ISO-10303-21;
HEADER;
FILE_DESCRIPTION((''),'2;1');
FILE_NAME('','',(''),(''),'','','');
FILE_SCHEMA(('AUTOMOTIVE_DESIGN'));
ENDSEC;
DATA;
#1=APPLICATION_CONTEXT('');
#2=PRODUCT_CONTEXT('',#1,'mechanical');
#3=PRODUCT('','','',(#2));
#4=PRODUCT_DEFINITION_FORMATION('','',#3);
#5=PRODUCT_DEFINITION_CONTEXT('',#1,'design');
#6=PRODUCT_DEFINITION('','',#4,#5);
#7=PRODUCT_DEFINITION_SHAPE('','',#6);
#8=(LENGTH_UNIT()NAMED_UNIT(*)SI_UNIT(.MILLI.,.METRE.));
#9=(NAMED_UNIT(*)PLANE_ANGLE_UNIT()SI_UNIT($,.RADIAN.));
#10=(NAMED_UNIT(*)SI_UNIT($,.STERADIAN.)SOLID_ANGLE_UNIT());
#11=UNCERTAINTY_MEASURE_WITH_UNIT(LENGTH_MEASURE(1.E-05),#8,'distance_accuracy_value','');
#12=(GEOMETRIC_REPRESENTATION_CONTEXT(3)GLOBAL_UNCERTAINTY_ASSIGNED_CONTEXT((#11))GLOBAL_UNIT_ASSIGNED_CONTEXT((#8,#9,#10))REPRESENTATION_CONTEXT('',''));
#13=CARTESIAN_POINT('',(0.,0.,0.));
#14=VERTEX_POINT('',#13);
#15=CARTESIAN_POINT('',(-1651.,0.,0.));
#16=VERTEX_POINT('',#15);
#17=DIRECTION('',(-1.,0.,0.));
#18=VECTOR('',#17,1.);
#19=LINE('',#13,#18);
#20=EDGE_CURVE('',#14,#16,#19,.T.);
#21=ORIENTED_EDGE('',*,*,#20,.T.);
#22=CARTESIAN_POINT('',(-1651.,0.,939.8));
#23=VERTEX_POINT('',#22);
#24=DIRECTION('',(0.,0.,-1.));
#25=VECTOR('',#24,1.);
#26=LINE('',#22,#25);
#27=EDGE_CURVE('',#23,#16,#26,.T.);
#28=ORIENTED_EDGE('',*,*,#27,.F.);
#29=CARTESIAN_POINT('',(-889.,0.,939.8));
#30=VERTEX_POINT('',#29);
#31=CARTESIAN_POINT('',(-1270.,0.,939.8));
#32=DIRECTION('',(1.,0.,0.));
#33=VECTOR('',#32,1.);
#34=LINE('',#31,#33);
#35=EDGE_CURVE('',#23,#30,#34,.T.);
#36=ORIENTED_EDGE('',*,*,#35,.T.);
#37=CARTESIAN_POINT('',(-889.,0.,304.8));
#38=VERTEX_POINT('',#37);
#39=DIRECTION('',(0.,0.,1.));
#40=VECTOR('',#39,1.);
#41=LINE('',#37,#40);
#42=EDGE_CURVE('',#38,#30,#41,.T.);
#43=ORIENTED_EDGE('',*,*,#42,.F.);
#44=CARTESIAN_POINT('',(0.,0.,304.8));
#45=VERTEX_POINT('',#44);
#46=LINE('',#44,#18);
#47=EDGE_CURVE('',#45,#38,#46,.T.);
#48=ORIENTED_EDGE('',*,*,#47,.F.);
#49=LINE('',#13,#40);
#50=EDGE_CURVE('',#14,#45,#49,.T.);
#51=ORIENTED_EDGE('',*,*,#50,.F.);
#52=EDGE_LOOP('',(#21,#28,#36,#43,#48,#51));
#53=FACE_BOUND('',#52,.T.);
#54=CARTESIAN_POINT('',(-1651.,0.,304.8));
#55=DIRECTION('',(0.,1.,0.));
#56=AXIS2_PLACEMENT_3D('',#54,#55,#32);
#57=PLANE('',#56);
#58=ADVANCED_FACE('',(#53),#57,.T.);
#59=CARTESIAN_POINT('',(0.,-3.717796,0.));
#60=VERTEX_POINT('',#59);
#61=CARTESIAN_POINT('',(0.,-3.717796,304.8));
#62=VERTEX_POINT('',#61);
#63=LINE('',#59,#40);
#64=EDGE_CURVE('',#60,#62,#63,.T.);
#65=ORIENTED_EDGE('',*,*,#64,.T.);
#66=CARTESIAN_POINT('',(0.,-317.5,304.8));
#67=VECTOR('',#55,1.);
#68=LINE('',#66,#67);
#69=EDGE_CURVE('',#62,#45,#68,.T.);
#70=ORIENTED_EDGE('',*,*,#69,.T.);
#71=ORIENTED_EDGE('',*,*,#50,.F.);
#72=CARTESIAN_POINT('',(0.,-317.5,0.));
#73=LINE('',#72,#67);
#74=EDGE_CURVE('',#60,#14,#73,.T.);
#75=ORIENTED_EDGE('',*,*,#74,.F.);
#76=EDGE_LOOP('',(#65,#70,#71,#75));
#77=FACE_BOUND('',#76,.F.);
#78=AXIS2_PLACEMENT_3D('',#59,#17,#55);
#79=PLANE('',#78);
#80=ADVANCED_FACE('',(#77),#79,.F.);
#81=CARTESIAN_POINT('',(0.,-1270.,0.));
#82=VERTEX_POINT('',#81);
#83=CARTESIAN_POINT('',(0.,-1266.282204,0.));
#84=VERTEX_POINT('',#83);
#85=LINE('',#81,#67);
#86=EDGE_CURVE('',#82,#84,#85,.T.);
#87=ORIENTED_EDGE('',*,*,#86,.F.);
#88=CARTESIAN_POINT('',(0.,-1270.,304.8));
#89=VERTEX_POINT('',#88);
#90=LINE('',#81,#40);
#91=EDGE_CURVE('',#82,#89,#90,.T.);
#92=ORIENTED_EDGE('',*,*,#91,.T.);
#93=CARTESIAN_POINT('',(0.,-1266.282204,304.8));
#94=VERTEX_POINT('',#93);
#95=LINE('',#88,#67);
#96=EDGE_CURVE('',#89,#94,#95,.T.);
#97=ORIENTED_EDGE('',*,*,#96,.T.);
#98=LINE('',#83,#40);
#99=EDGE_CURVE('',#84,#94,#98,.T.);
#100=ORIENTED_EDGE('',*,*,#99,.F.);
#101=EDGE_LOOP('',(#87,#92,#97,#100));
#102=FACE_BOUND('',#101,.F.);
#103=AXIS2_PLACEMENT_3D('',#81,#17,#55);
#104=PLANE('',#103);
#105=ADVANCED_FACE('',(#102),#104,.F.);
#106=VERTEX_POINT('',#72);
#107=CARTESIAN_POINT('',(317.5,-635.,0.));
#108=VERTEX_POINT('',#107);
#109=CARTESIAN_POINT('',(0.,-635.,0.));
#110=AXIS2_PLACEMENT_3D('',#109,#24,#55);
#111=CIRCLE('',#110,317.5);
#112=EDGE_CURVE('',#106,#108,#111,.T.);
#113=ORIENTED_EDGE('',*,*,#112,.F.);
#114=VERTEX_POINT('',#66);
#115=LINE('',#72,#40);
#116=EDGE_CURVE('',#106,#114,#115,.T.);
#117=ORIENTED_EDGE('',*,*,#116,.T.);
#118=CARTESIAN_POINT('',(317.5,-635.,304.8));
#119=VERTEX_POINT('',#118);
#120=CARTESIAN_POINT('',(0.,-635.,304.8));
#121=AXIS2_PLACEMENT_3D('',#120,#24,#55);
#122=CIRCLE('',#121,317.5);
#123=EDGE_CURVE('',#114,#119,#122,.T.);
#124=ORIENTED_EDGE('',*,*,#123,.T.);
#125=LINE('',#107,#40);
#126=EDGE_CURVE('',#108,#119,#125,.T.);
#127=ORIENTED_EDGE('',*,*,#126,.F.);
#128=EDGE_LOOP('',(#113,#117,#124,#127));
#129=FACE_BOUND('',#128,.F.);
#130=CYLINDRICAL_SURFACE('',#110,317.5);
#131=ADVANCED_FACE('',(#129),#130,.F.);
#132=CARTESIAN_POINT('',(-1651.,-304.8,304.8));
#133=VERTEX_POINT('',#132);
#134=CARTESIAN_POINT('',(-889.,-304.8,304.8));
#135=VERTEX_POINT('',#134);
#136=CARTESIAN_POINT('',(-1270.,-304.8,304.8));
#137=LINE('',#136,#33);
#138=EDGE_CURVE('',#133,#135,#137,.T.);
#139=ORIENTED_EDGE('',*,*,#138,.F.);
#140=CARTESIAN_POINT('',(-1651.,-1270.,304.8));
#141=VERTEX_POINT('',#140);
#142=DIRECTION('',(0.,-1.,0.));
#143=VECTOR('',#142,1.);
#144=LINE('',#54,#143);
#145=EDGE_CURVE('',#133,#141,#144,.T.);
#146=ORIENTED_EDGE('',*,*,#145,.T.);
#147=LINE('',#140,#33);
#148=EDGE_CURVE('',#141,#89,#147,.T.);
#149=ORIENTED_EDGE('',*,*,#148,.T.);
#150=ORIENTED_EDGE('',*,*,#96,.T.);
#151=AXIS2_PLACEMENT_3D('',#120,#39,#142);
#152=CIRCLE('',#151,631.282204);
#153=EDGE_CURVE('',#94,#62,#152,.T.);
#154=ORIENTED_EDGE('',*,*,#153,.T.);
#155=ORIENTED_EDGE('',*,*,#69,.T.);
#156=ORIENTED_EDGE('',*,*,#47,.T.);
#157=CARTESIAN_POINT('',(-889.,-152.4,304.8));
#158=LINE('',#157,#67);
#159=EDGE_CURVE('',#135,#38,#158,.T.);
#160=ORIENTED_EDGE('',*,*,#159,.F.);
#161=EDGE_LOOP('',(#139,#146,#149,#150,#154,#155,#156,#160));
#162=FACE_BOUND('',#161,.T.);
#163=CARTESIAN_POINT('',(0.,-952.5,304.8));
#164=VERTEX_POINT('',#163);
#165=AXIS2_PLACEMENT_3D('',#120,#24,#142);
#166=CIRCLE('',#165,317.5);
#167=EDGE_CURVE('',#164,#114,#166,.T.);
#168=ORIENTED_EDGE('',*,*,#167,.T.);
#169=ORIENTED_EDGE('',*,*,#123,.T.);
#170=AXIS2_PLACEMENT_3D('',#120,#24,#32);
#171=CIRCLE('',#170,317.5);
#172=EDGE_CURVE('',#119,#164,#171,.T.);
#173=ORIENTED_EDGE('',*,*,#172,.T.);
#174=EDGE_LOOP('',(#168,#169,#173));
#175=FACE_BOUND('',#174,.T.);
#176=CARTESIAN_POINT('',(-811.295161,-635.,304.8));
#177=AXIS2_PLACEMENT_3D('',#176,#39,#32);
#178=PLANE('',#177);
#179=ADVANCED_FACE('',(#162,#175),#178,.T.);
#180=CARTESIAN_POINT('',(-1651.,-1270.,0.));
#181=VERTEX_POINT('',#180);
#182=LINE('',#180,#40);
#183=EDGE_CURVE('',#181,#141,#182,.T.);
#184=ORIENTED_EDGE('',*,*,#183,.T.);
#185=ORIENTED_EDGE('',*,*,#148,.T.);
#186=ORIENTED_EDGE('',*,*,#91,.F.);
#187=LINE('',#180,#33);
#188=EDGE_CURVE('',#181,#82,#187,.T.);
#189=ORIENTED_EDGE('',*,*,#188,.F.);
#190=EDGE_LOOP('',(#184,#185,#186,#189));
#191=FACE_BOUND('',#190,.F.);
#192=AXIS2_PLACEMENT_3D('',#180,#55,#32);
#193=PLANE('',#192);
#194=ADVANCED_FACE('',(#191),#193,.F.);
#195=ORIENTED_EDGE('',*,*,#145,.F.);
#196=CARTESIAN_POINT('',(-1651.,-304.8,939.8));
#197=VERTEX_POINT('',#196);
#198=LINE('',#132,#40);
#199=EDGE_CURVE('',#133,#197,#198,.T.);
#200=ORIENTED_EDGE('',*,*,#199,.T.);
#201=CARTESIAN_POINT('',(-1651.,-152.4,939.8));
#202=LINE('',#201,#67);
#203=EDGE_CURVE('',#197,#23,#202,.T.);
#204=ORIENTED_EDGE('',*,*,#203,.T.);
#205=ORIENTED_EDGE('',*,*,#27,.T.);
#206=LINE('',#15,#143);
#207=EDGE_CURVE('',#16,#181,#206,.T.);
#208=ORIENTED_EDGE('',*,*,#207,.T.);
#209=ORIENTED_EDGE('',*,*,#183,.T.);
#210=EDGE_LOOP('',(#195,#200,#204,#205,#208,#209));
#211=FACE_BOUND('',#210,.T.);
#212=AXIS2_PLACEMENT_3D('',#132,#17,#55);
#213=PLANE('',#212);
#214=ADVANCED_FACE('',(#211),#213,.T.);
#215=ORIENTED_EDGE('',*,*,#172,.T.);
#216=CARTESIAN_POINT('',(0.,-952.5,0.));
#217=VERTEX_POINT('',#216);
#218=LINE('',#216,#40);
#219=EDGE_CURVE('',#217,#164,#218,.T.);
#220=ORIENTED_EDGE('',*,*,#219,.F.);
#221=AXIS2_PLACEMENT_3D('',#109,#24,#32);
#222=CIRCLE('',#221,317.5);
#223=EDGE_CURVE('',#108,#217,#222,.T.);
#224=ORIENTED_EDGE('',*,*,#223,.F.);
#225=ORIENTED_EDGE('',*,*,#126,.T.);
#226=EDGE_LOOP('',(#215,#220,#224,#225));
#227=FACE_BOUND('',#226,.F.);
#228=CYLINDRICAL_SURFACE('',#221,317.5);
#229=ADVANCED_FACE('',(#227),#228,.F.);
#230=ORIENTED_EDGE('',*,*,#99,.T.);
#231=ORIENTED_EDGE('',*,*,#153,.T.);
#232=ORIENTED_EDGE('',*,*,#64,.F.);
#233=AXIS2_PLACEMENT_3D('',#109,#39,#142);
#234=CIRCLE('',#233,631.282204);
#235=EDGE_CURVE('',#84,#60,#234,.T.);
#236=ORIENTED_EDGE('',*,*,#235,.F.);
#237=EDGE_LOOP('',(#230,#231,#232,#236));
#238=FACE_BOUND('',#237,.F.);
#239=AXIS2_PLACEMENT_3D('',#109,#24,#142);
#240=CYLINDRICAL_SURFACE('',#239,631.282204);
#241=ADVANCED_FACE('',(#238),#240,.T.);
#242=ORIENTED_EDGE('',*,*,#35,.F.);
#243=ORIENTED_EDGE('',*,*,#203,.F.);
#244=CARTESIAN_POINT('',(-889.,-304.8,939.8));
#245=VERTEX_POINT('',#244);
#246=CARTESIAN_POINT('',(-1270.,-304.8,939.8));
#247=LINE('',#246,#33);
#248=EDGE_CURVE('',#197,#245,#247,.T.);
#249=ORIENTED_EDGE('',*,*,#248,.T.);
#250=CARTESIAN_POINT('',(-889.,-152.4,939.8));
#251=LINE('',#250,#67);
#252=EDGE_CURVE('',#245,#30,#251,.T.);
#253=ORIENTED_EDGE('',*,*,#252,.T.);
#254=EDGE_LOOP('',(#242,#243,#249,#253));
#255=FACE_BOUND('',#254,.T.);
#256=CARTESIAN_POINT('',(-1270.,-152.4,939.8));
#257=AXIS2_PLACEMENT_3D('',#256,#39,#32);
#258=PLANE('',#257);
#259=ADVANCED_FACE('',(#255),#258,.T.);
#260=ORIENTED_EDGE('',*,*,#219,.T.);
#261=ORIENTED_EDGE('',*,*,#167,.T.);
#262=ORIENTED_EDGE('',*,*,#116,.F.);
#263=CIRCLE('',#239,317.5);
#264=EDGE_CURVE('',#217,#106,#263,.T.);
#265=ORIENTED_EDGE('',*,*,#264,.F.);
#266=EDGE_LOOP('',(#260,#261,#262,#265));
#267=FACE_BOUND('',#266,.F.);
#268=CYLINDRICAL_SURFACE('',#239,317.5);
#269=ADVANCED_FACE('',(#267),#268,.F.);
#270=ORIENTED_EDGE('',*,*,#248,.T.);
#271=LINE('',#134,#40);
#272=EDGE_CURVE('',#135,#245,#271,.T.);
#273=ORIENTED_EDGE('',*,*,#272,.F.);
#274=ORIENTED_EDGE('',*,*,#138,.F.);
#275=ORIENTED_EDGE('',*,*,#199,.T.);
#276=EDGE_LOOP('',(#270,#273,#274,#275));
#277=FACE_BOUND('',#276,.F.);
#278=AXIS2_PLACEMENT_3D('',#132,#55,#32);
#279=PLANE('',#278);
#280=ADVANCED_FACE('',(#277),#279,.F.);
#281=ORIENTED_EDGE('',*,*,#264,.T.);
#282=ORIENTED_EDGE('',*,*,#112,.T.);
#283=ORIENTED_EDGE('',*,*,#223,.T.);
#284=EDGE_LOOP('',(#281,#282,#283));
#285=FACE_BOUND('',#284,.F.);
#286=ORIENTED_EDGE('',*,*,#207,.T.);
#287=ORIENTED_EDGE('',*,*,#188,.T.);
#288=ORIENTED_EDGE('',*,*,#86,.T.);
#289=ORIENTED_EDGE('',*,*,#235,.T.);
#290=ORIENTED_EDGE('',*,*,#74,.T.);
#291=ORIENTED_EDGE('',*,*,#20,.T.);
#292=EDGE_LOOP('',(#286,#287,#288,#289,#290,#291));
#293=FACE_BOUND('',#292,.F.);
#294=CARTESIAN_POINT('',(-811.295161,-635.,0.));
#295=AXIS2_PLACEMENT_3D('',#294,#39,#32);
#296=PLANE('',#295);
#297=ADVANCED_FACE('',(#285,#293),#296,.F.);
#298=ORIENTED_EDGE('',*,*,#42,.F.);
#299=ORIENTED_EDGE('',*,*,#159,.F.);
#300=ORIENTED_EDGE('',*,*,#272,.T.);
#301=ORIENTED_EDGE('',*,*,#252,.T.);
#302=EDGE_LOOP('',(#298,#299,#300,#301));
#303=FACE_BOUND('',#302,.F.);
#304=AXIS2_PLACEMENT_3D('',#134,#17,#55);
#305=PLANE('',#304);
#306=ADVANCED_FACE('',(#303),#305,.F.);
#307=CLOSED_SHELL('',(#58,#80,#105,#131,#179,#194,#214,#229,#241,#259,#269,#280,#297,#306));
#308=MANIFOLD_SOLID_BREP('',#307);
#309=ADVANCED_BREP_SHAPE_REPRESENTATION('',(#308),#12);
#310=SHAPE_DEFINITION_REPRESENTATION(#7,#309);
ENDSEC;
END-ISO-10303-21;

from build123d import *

# Parameters (mm, degrees)
F1_DEPTH = 304.8
F2_W     = 762
F2_H     = 304.8
F3_DEPTH = 635


with BuildPart() as f1:
    # F0 (on Top) → F1 (new body)
    with BuildSketch(Plane.XY):
        with BuildLine():
            Line((0, -3.717796), (0, 0))
            Line((0, 0), (-1651, 0))
            Line((-1651, 0), (-1651, -1270))
            Line((-1651, -1270), (0, -1270))
            Line((0, -1270), (0, -1266.282204))
            Line((0, -1266.282204), (0, -952.5))
            ThreePointArc((0, -952.5), (-317.5, -635), (0, -317.5))
            Line((0, -317.5), (0, -3.717796))
        make_face()
        with BuildLine():
            ThreePointArc((0, -1266.282204), (631.282204, -635), (0, -3.717796))
            Line((0, -3.717796), (0, -317.5))
            ThreePointArc((0, -317.5), (224.506403, -410.493597), (317.5, -635))
            ThreePointArc((317.5, -635), (224.506403, -859.506403), (0, -952.5))
            Line((0, -952.5), (0, -1266.282204))
        make_face()
    extrude(amount=F1_DEPTH)

    # F2 (on face) → F3 (join)
    with BuildSketch(Plane.XY.offset(304.8)):
        with Locations((-1270, -152.4)):
            Rectangle(F2_W, F2_H)
    extrude(amount=F3_DEPTH)


solid = f1.part
